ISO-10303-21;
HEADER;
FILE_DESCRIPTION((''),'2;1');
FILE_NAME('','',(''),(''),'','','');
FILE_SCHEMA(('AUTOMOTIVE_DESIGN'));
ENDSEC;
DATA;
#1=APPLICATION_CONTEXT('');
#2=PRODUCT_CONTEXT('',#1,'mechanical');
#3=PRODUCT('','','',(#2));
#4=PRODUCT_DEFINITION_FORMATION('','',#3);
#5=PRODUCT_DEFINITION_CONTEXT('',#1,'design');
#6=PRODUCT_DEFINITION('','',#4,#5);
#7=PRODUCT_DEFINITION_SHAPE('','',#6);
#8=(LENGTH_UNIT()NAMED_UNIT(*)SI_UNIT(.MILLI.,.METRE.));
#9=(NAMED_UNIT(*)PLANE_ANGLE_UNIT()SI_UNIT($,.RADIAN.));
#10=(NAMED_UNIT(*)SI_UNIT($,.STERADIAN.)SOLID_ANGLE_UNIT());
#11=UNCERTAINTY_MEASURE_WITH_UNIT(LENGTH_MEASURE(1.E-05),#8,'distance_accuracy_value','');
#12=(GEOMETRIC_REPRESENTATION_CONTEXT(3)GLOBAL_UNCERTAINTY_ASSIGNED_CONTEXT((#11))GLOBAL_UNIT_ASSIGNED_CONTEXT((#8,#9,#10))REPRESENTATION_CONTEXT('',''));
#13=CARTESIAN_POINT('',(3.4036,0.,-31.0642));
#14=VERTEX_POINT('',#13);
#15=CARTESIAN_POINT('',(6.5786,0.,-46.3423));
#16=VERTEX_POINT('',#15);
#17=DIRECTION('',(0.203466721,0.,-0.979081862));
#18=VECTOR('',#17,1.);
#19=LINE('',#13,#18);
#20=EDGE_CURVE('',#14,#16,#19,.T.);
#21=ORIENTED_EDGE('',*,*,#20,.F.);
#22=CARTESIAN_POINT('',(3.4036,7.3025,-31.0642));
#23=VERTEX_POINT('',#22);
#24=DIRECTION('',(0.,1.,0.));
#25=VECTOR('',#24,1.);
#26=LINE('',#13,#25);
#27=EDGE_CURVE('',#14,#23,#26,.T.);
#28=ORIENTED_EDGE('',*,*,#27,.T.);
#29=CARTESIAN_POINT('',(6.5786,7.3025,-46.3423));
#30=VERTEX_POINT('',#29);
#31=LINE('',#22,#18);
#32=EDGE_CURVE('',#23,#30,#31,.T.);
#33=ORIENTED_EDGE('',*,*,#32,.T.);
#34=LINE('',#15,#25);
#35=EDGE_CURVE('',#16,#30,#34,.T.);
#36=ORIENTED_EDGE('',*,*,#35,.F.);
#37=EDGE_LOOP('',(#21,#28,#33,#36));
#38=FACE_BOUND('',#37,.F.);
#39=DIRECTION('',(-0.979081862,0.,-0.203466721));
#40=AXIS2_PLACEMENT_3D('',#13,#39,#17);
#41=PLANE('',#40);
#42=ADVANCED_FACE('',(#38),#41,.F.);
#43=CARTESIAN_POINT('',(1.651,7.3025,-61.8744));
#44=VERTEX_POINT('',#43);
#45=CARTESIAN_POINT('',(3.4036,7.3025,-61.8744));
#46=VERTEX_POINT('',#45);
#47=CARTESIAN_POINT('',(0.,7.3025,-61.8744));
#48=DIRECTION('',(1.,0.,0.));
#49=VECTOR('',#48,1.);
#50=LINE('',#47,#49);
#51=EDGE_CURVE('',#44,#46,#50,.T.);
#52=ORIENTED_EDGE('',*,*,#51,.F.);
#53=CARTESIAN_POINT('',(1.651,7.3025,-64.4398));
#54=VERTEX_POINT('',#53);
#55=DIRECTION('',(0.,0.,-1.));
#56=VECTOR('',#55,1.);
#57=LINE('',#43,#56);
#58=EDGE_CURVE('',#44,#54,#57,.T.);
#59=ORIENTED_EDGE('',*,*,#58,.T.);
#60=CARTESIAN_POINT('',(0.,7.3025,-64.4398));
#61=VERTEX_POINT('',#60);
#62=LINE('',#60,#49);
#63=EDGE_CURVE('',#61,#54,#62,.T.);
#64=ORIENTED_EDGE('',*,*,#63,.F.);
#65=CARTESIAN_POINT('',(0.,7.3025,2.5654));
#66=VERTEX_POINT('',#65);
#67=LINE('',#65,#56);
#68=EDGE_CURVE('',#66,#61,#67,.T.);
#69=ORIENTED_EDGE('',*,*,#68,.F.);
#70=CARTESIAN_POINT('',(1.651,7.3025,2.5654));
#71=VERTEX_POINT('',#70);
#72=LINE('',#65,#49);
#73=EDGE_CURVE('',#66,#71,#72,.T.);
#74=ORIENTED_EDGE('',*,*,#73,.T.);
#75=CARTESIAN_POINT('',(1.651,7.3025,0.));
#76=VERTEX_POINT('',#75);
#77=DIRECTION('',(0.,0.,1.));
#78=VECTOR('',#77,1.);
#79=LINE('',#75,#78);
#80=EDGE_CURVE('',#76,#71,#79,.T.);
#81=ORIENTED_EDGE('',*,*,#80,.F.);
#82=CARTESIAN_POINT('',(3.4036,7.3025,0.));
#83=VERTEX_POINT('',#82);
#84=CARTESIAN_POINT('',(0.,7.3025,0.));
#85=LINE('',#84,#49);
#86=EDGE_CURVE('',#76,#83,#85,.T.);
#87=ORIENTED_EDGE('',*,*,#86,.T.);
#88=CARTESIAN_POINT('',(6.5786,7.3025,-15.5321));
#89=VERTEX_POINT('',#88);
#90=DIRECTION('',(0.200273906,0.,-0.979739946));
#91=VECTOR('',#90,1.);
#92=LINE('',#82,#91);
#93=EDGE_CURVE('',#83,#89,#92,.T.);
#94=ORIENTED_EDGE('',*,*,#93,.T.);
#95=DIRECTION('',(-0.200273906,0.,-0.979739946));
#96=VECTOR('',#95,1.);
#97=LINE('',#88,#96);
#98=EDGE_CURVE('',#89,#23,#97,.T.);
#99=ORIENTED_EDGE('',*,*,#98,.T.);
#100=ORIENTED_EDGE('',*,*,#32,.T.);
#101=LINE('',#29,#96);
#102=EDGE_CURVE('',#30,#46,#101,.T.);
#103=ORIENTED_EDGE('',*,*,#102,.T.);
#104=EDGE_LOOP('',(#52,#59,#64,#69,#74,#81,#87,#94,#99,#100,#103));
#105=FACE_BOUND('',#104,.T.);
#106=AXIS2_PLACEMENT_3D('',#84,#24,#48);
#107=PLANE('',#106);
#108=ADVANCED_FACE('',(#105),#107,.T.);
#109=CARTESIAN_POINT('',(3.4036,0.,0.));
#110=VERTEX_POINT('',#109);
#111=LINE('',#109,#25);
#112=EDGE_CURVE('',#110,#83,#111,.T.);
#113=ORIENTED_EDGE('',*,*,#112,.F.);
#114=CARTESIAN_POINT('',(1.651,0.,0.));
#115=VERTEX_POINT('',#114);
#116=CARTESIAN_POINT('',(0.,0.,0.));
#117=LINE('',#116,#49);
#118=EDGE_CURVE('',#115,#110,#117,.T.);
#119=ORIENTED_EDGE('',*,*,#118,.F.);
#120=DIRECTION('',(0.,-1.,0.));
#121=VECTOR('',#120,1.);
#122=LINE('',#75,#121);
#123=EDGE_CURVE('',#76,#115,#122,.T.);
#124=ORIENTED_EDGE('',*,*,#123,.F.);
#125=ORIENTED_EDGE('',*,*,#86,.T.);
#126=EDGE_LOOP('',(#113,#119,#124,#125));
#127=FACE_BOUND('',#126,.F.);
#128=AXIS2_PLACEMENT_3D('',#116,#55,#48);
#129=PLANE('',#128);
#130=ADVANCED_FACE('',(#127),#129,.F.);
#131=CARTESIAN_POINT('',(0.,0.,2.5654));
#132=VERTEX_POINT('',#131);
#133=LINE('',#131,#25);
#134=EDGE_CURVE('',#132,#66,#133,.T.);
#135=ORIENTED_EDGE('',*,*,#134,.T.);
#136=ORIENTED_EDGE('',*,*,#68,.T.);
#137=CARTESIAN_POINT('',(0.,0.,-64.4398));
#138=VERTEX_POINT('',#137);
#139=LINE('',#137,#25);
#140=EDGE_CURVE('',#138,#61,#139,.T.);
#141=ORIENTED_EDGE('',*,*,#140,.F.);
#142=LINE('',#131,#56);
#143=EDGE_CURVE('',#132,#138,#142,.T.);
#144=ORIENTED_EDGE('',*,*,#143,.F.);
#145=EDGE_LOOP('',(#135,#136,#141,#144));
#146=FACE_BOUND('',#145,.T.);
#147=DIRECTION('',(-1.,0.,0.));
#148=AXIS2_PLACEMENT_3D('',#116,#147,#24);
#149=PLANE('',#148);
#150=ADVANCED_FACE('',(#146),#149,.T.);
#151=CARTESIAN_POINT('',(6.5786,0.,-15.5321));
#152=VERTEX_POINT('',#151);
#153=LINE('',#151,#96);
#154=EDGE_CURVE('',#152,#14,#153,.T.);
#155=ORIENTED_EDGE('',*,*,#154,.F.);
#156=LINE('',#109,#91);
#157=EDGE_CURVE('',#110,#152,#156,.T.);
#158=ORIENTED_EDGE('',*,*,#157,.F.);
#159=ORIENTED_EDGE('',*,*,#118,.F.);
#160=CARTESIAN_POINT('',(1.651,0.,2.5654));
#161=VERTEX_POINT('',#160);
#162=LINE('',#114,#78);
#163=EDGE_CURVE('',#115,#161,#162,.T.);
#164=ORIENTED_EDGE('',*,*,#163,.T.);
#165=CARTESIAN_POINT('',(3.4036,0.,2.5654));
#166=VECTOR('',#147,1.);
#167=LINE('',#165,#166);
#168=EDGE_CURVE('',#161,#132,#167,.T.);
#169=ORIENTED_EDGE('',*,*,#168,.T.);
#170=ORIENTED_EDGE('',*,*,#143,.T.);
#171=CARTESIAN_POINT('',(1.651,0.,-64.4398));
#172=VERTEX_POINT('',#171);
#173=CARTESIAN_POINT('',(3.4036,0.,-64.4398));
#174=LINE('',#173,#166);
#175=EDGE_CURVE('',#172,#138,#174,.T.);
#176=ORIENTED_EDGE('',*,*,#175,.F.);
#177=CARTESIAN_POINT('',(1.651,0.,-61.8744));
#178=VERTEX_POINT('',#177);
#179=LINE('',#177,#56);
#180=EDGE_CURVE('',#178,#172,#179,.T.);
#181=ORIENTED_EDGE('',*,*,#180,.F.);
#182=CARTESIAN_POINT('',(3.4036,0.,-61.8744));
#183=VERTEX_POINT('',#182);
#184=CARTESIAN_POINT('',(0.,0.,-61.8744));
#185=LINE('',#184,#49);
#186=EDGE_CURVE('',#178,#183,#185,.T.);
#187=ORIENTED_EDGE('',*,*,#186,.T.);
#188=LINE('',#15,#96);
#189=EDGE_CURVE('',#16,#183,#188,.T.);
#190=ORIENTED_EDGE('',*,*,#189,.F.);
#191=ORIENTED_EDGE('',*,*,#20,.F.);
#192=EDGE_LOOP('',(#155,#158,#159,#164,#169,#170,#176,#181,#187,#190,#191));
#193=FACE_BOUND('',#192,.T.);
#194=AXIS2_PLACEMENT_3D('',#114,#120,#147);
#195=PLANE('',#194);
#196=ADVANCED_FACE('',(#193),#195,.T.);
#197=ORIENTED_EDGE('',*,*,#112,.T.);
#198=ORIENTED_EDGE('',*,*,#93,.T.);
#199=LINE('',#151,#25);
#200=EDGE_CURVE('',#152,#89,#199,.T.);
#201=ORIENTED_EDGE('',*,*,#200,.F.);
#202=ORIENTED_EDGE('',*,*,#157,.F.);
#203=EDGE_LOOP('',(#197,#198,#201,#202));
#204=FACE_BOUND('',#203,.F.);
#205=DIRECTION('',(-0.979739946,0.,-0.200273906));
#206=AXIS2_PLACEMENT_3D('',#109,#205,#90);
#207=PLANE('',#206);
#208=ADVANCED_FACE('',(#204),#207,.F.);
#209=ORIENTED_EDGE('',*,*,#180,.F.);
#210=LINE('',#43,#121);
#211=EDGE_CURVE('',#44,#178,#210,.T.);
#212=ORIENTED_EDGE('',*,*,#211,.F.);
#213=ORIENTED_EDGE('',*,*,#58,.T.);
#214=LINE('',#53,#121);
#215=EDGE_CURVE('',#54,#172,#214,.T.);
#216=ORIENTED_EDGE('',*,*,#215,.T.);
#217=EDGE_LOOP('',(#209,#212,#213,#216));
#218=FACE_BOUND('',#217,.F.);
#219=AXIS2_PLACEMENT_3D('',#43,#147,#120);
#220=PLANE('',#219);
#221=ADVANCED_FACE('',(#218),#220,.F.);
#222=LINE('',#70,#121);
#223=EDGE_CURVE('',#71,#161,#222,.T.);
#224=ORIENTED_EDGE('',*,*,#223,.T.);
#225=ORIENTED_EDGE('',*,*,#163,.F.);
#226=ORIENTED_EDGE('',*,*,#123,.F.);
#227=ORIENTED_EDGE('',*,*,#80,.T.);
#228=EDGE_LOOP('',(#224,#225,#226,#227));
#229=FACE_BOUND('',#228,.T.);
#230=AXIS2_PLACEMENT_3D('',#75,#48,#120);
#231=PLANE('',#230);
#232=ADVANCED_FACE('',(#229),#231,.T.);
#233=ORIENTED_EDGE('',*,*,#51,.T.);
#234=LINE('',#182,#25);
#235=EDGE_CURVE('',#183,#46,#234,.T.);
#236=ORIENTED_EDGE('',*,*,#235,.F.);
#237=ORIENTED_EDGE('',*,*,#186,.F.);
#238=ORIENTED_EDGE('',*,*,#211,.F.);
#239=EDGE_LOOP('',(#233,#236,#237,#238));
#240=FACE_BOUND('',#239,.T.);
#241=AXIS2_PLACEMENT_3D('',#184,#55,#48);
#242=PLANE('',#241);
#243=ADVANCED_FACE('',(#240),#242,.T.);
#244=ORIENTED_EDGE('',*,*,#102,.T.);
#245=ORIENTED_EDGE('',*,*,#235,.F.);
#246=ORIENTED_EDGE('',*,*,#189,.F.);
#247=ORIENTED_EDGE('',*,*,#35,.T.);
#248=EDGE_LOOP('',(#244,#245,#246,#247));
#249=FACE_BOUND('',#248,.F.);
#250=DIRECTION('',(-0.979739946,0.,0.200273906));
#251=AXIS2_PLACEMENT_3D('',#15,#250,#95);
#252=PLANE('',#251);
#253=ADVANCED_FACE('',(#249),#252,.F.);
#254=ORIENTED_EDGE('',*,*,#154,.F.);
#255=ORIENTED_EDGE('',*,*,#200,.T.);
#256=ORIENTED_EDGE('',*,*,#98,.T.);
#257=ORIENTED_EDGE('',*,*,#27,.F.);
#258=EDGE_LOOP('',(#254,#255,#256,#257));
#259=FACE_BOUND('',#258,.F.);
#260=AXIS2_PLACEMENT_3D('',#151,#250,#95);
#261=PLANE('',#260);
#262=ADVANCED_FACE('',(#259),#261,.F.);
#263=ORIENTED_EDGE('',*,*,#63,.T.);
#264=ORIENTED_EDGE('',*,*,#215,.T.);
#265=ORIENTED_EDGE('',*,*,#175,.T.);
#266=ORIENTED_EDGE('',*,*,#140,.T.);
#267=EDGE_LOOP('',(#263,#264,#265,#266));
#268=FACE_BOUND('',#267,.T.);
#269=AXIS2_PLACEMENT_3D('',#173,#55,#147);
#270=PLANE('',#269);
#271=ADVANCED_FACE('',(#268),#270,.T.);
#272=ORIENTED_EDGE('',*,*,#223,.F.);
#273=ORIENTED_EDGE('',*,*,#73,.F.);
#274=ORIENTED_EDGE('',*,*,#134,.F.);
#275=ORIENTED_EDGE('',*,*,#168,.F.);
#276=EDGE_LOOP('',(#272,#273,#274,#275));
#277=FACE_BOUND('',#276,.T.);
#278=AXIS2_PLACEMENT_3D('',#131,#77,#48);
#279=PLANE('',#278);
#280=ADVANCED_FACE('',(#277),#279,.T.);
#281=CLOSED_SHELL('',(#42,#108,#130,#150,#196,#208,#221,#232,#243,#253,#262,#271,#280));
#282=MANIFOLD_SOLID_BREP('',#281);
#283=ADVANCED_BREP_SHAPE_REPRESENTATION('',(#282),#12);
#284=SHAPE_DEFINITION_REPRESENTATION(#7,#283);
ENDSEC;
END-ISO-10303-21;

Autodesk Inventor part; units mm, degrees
ref_plane "YZ Plane" through (0, 0, 0) normal (1, 0, 0) x (0, 1, 0)
ref_plane "XZ Plane" through (0, 0, 0) normal (0, 1, 0) x (-1, 0, 0)
ref_plane "XY Plane" through (0, 0, 0) normal (0, 0, 1) x (1, 0, 0)
sketch "Sketch1" plane through (0, 0, 0) normal (0, 1, 0) x (-1, 0, 0)
  line L0 (0, 0) -> (0, -61.8744)
  line L1 (0, 0) -> (-3.4036, 0)
  line L2 (0, -61.8744) -> (-3.4036, -61.8744)
  line L3 (-3.4036, 0) -> (-6.5786, -15.5321)
  line L4 (-6.5786, -15.5321) -> (-3.4036, -31.0642)
  line L5 (-3.4036, -31.0642) -> (-6.5786, -46.3423)
  line L6 (-6.5786, -46.3423) -> (-3.4036, -61.8744)
  dimension "d0" = 61.8744
  dimension "d1" = 3.4036
  dimension "d2" = 3.4036
  dimension "d3" = 15.5321
  dimension "d4" = 31.0642
  dimension "d5" = 15.5321
  dimension "d6" = 3.175
  dimension "d7" = 3.175
extrude "Extrusion1" add sketch "Sketch1" along normal blind 7.3025
sketch "Sketch2" plane through (0, 0, 0) normal (0, 0, 1) x (1, 0, 0)
  line L0 (3.4036, 0) -> (0, 0) projected
  line L1 (0, 7.3025) -> (1.651, 7.3025)
  line L2 (1.651, 7.3025) -> (1.651, 0)
  line L3 (1.651, 0) -> (0, 0)
  line L4 (0, 0) -> (0, 7.3025)
  dimension "d10" = 1.651
sketch "Sketch3" plane through (3.4036, 0, -61.8744) normal (0, 0, -1) x (-1, 0, 0)
  line L0 (0, 0) -> (3.4036, 0) projected
  line L1 (3.4036, 7.3025) -> (1.7526, 7.3025)
  line L2 (1.7526, 7.3025) -> (1.7526, 0)
  line L3 (1.7526, 0) -> (3.4036, 0)
  line L4 (3.4036, 0) -> (3.4036, 7.3025)
  dimension "d11" = 1.651
extrude "Extrusion2" add sketch "Sketch3" along normal blind 2.5654
extrude "Extrusion3" add sketch "Sketch2" along normal blind 2.5654
properties part number "Short_insert_CPY3"
